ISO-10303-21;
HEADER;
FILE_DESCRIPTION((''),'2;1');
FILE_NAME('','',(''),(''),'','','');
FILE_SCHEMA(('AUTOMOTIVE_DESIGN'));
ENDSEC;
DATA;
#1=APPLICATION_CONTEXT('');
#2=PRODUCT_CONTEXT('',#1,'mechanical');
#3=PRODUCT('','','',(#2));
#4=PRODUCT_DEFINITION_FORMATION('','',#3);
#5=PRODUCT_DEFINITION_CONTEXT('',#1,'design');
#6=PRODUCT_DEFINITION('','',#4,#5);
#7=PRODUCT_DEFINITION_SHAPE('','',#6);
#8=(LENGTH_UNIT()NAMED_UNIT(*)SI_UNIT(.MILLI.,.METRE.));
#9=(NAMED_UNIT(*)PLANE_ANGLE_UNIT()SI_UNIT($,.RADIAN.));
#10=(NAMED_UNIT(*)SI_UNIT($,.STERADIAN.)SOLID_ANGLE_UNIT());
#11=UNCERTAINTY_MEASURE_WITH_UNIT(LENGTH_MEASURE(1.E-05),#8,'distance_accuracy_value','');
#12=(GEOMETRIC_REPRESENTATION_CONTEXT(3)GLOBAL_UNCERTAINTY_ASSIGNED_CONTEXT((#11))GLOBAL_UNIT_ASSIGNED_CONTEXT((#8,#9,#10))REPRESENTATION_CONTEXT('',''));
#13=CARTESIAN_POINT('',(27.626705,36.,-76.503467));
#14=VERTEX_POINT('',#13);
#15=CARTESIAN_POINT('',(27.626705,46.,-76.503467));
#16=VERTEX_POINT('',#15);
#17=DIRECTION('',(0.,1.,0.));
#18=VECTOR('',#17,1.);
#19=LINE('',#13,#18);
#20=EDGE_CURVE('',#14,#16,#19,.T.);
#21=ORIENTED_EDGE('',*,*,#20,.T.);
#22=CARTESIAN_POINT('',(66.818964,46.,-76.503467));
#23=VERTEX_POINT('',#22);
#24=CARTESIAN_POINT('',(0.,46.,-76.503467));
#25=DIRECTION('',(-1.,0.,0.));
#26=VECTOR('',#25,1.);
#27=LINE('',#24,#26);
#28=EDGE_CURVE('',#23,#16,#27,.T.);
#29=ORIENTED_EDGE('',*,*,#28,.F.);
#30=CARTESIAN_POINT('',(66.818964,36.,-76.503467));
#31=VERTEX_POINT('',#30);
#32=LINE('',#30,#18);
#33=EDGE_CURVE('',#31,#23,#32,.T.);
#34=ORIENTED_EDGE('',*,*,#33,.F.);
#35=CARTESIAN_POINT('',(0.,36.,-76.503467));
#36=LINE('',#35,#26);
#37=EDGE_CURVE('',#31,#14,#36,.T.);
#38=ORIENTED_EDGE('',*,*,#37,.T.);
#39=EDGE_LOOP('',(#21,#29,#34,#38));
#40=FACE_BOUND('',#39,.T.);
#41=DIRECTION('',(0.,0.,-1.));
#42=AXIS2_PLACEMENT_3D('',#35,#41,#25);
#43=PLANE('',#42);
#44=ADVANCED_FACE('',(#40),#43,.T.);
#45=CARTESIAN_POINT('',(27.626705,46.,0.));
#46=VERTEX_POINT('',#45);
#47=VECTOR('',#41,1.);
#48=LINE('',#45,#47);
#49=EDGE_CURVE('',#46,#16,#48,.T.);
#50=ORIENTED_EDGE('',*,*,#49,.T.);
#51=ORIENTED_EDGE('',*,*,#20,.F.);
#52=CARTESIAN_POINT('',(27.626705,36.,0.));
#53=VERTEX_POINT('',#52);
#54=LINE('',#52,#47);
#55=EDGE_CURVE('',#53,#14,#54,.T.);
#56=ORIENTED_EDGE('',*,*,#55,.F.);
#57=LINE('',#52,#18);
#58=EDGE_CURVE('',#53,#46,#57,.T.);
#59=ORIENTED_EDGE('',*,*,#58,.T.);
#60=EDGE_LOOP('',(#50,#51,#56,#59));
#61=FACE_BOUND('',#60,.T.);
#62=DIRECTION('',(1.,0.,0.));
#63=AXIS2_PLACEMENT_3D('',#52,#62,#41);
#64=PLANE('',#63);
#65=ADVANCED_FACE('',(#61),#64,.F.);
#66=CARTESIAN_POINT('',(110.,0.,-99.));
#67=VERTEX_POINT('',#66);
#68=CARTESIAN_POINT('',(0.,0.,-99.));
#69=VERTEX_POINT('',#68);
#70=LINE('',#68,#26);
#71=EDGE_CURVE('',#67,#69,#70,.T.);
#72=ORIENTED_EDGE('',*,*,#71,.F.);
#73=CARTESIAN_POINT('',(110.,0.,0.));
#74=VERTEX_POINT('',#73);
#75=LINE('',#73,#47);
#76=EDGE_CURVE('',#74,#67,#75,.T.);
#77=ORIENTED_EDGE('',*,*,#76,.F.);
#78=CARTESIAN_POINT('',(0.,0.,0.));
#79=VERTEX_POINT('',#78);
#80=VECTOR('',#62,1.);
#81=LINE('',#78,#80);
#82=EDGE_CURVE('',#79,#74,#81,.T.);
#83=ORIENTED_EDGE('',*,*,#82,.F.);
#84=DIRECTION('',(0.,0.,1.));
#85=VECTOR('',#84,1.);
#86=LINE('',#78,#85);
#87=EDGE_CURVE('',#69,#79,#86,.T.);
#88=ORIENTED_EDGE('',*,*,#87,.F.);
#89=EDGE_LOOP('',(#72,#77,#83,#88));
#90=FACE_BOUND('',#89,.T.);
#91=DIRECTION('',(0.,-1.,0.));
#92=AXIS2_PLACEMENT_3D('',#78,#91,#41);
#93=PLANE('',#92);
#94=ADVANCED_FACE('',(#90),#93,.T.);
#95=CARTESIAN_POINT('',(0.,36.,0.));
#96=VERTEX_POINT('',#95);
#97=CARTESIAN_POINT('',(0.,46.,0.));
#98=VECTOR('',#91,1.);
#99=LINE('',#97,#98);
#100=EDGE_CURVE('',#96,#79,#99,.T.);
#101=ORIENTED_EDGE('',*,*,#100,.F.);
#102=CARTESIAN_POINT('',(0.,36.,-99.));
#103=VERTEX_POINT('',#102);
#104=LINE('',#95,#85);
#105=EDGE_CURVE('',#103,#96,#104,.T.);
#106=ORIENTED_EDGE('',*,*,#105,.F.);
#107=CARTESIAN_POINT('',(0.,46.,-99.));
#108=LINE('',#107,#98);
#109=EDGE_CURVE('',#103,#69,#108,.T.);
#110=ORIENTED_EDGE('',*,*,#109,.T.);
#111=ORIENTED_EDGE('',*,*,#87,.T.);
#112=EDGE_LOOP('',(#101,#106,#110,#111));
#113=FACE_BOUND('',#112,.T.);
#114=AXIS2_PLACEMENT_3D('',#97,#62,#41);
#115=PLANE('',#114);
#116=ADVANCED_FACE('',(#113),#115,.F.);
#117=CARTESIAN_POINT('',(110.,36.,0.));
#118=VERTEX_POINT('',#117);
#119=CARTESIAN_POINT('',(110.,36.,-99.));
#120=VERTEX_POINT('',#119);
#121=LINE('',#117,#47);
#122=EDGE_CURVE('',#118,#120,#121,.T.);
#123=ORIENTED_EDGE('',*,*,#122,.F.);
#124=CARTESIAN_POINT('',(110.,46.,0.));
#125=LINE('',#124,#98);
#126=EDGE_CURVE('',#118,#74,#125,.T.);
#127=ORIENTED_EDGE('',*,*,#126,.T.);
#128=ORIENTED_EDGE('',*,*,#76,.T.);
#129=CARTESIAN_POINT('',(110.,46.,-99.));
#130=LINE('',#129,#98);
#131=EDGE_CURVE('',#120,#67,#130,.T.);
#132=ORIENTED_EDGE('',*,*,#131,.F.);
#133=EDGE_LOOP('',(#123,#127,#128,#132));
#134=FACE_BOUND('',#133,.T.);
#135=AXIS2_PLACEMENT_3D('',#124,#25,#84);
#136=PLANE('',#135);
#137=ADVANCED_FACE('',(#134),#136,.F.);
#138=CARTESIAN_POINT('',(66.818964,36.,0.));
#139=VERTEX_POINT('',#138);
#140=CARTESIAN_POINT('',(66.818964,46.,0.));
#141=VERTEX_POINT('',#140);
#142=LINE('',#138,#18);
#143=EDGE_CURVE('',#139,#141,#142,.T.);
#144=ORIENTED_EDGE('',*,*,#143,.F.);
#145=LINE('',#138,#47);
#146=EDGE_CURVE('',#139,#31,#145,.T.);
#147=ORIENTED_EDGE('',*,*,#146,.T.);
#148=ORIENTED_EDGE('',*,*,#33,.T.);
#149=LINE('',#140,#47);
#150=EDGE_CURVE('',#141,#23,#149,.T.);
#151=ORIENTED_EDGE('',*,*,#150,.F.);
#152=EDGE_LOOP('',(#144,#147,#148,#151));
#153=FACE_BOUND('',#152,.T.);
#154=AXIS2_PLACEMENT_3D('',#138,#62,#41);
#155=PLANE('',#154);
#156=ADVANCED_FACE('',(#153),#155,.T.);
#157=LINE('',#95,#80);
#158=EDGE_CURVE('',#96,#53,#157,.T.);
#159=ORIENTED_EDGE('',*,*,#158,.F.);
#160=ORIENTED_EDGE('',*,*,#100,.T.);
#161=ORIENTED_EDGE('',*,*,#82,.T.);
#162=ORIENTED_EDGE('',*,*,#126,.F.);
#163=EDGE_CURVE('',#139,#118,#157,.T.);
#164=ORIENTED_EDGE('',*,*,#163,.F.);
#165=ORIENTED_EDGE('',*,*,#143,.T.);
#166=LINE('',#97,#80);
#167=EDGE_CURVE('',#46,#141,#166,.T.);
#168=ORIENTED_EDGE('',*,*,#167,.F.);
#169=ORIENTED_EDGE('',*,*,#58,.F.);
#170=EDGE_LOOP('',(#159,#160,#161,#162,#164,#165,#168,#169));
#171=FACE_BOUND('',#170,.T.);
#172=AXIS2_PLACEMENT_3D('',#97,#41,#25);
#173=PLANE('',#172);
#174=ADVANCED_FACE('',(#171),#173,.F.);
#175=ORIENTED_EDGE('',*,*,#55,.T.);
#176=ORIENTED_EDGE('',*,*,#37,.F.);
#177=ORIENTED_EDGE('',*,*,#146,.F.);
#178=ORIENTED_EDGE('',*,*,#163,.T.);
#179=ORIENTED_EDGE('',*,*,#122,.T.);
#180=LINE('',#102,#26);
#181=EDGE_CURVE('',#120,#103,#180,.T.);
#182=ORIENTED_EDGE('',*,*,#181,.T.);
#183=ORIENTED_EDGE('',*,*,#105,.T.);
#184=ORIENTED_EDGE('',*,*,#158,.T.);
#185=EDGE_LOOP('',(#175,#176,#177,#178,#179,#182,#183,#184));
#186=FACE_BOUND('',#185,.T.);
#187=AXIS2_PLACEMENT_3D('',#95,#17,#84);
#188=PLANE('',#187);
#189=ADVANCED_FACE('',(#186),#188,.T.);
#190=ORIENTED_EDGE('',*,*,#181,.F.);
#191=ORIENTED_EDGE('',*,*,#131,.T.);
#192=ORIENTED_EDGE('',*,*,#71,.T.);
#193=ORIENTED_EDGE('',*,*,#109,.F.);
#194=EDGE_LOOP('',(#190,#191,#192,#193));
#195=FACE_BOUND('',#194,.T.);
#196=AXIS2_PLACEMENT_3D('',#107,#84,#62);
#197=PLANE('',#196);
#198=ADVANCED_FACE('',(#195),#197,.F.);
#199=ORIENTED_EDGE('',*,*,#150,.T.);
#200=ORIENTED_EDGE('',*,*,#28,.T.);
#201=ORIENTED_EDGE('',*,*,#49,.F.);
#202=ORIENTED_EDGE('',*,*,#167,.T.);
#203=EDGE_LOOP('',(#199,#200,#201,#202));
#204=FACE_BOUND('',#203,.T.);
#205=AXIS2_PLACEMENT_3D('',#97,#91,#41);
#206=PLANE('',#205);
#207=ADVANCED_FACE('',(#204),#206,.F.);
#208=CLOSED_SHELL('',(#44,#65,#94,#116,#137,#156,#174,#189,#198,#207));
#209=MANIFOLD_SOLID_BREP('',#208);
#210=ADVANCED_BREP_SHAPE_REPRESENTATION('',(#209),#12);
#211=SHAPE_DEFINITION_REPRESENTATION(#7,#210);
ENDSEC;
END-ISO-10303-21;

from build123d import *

# Parameters (mm, degrees)
SKETCH1_W           = 110
SKETCH1_H           = 99
BOSS_EXTRUDE1_DEPTH = 46
CUT_EXTRUDE1_DEPTH  = 10


with BuildPart() as part:
    # Sketch1 → Boss-Extrude1 (new body)
    with BuildSketch(Plane(origin=(0, 0, 0), x_dir=(1, 0, 0), z_dir=(0, 1, 0))):
        with Locations((55, 49.5)):
            Rectangle(SKETCH1_W, SKETCH1_H)
    extrude(amount=BOSS_EXTRUDE1_DEPTH)

    # Sketch2 → Cut-Extrude1 (cut)
    with BuildSketch(Plane(origin=(0, 46, 0), x_dir=(1, 0, 0), z_dir=(0, 1, 0))):
        Polygon((66.818964176, 76.503466617), (66.818964176, 0), (110, 0), (110, 99), (0, 99), (0, 0), (27.626705407, 0), (27.626705407, 76.503466617), align=None)
    extrude(amount=-CUT_EXTRUDE1_DEPTH, mode=Mode.SUBTRACT)


solid = part.part
